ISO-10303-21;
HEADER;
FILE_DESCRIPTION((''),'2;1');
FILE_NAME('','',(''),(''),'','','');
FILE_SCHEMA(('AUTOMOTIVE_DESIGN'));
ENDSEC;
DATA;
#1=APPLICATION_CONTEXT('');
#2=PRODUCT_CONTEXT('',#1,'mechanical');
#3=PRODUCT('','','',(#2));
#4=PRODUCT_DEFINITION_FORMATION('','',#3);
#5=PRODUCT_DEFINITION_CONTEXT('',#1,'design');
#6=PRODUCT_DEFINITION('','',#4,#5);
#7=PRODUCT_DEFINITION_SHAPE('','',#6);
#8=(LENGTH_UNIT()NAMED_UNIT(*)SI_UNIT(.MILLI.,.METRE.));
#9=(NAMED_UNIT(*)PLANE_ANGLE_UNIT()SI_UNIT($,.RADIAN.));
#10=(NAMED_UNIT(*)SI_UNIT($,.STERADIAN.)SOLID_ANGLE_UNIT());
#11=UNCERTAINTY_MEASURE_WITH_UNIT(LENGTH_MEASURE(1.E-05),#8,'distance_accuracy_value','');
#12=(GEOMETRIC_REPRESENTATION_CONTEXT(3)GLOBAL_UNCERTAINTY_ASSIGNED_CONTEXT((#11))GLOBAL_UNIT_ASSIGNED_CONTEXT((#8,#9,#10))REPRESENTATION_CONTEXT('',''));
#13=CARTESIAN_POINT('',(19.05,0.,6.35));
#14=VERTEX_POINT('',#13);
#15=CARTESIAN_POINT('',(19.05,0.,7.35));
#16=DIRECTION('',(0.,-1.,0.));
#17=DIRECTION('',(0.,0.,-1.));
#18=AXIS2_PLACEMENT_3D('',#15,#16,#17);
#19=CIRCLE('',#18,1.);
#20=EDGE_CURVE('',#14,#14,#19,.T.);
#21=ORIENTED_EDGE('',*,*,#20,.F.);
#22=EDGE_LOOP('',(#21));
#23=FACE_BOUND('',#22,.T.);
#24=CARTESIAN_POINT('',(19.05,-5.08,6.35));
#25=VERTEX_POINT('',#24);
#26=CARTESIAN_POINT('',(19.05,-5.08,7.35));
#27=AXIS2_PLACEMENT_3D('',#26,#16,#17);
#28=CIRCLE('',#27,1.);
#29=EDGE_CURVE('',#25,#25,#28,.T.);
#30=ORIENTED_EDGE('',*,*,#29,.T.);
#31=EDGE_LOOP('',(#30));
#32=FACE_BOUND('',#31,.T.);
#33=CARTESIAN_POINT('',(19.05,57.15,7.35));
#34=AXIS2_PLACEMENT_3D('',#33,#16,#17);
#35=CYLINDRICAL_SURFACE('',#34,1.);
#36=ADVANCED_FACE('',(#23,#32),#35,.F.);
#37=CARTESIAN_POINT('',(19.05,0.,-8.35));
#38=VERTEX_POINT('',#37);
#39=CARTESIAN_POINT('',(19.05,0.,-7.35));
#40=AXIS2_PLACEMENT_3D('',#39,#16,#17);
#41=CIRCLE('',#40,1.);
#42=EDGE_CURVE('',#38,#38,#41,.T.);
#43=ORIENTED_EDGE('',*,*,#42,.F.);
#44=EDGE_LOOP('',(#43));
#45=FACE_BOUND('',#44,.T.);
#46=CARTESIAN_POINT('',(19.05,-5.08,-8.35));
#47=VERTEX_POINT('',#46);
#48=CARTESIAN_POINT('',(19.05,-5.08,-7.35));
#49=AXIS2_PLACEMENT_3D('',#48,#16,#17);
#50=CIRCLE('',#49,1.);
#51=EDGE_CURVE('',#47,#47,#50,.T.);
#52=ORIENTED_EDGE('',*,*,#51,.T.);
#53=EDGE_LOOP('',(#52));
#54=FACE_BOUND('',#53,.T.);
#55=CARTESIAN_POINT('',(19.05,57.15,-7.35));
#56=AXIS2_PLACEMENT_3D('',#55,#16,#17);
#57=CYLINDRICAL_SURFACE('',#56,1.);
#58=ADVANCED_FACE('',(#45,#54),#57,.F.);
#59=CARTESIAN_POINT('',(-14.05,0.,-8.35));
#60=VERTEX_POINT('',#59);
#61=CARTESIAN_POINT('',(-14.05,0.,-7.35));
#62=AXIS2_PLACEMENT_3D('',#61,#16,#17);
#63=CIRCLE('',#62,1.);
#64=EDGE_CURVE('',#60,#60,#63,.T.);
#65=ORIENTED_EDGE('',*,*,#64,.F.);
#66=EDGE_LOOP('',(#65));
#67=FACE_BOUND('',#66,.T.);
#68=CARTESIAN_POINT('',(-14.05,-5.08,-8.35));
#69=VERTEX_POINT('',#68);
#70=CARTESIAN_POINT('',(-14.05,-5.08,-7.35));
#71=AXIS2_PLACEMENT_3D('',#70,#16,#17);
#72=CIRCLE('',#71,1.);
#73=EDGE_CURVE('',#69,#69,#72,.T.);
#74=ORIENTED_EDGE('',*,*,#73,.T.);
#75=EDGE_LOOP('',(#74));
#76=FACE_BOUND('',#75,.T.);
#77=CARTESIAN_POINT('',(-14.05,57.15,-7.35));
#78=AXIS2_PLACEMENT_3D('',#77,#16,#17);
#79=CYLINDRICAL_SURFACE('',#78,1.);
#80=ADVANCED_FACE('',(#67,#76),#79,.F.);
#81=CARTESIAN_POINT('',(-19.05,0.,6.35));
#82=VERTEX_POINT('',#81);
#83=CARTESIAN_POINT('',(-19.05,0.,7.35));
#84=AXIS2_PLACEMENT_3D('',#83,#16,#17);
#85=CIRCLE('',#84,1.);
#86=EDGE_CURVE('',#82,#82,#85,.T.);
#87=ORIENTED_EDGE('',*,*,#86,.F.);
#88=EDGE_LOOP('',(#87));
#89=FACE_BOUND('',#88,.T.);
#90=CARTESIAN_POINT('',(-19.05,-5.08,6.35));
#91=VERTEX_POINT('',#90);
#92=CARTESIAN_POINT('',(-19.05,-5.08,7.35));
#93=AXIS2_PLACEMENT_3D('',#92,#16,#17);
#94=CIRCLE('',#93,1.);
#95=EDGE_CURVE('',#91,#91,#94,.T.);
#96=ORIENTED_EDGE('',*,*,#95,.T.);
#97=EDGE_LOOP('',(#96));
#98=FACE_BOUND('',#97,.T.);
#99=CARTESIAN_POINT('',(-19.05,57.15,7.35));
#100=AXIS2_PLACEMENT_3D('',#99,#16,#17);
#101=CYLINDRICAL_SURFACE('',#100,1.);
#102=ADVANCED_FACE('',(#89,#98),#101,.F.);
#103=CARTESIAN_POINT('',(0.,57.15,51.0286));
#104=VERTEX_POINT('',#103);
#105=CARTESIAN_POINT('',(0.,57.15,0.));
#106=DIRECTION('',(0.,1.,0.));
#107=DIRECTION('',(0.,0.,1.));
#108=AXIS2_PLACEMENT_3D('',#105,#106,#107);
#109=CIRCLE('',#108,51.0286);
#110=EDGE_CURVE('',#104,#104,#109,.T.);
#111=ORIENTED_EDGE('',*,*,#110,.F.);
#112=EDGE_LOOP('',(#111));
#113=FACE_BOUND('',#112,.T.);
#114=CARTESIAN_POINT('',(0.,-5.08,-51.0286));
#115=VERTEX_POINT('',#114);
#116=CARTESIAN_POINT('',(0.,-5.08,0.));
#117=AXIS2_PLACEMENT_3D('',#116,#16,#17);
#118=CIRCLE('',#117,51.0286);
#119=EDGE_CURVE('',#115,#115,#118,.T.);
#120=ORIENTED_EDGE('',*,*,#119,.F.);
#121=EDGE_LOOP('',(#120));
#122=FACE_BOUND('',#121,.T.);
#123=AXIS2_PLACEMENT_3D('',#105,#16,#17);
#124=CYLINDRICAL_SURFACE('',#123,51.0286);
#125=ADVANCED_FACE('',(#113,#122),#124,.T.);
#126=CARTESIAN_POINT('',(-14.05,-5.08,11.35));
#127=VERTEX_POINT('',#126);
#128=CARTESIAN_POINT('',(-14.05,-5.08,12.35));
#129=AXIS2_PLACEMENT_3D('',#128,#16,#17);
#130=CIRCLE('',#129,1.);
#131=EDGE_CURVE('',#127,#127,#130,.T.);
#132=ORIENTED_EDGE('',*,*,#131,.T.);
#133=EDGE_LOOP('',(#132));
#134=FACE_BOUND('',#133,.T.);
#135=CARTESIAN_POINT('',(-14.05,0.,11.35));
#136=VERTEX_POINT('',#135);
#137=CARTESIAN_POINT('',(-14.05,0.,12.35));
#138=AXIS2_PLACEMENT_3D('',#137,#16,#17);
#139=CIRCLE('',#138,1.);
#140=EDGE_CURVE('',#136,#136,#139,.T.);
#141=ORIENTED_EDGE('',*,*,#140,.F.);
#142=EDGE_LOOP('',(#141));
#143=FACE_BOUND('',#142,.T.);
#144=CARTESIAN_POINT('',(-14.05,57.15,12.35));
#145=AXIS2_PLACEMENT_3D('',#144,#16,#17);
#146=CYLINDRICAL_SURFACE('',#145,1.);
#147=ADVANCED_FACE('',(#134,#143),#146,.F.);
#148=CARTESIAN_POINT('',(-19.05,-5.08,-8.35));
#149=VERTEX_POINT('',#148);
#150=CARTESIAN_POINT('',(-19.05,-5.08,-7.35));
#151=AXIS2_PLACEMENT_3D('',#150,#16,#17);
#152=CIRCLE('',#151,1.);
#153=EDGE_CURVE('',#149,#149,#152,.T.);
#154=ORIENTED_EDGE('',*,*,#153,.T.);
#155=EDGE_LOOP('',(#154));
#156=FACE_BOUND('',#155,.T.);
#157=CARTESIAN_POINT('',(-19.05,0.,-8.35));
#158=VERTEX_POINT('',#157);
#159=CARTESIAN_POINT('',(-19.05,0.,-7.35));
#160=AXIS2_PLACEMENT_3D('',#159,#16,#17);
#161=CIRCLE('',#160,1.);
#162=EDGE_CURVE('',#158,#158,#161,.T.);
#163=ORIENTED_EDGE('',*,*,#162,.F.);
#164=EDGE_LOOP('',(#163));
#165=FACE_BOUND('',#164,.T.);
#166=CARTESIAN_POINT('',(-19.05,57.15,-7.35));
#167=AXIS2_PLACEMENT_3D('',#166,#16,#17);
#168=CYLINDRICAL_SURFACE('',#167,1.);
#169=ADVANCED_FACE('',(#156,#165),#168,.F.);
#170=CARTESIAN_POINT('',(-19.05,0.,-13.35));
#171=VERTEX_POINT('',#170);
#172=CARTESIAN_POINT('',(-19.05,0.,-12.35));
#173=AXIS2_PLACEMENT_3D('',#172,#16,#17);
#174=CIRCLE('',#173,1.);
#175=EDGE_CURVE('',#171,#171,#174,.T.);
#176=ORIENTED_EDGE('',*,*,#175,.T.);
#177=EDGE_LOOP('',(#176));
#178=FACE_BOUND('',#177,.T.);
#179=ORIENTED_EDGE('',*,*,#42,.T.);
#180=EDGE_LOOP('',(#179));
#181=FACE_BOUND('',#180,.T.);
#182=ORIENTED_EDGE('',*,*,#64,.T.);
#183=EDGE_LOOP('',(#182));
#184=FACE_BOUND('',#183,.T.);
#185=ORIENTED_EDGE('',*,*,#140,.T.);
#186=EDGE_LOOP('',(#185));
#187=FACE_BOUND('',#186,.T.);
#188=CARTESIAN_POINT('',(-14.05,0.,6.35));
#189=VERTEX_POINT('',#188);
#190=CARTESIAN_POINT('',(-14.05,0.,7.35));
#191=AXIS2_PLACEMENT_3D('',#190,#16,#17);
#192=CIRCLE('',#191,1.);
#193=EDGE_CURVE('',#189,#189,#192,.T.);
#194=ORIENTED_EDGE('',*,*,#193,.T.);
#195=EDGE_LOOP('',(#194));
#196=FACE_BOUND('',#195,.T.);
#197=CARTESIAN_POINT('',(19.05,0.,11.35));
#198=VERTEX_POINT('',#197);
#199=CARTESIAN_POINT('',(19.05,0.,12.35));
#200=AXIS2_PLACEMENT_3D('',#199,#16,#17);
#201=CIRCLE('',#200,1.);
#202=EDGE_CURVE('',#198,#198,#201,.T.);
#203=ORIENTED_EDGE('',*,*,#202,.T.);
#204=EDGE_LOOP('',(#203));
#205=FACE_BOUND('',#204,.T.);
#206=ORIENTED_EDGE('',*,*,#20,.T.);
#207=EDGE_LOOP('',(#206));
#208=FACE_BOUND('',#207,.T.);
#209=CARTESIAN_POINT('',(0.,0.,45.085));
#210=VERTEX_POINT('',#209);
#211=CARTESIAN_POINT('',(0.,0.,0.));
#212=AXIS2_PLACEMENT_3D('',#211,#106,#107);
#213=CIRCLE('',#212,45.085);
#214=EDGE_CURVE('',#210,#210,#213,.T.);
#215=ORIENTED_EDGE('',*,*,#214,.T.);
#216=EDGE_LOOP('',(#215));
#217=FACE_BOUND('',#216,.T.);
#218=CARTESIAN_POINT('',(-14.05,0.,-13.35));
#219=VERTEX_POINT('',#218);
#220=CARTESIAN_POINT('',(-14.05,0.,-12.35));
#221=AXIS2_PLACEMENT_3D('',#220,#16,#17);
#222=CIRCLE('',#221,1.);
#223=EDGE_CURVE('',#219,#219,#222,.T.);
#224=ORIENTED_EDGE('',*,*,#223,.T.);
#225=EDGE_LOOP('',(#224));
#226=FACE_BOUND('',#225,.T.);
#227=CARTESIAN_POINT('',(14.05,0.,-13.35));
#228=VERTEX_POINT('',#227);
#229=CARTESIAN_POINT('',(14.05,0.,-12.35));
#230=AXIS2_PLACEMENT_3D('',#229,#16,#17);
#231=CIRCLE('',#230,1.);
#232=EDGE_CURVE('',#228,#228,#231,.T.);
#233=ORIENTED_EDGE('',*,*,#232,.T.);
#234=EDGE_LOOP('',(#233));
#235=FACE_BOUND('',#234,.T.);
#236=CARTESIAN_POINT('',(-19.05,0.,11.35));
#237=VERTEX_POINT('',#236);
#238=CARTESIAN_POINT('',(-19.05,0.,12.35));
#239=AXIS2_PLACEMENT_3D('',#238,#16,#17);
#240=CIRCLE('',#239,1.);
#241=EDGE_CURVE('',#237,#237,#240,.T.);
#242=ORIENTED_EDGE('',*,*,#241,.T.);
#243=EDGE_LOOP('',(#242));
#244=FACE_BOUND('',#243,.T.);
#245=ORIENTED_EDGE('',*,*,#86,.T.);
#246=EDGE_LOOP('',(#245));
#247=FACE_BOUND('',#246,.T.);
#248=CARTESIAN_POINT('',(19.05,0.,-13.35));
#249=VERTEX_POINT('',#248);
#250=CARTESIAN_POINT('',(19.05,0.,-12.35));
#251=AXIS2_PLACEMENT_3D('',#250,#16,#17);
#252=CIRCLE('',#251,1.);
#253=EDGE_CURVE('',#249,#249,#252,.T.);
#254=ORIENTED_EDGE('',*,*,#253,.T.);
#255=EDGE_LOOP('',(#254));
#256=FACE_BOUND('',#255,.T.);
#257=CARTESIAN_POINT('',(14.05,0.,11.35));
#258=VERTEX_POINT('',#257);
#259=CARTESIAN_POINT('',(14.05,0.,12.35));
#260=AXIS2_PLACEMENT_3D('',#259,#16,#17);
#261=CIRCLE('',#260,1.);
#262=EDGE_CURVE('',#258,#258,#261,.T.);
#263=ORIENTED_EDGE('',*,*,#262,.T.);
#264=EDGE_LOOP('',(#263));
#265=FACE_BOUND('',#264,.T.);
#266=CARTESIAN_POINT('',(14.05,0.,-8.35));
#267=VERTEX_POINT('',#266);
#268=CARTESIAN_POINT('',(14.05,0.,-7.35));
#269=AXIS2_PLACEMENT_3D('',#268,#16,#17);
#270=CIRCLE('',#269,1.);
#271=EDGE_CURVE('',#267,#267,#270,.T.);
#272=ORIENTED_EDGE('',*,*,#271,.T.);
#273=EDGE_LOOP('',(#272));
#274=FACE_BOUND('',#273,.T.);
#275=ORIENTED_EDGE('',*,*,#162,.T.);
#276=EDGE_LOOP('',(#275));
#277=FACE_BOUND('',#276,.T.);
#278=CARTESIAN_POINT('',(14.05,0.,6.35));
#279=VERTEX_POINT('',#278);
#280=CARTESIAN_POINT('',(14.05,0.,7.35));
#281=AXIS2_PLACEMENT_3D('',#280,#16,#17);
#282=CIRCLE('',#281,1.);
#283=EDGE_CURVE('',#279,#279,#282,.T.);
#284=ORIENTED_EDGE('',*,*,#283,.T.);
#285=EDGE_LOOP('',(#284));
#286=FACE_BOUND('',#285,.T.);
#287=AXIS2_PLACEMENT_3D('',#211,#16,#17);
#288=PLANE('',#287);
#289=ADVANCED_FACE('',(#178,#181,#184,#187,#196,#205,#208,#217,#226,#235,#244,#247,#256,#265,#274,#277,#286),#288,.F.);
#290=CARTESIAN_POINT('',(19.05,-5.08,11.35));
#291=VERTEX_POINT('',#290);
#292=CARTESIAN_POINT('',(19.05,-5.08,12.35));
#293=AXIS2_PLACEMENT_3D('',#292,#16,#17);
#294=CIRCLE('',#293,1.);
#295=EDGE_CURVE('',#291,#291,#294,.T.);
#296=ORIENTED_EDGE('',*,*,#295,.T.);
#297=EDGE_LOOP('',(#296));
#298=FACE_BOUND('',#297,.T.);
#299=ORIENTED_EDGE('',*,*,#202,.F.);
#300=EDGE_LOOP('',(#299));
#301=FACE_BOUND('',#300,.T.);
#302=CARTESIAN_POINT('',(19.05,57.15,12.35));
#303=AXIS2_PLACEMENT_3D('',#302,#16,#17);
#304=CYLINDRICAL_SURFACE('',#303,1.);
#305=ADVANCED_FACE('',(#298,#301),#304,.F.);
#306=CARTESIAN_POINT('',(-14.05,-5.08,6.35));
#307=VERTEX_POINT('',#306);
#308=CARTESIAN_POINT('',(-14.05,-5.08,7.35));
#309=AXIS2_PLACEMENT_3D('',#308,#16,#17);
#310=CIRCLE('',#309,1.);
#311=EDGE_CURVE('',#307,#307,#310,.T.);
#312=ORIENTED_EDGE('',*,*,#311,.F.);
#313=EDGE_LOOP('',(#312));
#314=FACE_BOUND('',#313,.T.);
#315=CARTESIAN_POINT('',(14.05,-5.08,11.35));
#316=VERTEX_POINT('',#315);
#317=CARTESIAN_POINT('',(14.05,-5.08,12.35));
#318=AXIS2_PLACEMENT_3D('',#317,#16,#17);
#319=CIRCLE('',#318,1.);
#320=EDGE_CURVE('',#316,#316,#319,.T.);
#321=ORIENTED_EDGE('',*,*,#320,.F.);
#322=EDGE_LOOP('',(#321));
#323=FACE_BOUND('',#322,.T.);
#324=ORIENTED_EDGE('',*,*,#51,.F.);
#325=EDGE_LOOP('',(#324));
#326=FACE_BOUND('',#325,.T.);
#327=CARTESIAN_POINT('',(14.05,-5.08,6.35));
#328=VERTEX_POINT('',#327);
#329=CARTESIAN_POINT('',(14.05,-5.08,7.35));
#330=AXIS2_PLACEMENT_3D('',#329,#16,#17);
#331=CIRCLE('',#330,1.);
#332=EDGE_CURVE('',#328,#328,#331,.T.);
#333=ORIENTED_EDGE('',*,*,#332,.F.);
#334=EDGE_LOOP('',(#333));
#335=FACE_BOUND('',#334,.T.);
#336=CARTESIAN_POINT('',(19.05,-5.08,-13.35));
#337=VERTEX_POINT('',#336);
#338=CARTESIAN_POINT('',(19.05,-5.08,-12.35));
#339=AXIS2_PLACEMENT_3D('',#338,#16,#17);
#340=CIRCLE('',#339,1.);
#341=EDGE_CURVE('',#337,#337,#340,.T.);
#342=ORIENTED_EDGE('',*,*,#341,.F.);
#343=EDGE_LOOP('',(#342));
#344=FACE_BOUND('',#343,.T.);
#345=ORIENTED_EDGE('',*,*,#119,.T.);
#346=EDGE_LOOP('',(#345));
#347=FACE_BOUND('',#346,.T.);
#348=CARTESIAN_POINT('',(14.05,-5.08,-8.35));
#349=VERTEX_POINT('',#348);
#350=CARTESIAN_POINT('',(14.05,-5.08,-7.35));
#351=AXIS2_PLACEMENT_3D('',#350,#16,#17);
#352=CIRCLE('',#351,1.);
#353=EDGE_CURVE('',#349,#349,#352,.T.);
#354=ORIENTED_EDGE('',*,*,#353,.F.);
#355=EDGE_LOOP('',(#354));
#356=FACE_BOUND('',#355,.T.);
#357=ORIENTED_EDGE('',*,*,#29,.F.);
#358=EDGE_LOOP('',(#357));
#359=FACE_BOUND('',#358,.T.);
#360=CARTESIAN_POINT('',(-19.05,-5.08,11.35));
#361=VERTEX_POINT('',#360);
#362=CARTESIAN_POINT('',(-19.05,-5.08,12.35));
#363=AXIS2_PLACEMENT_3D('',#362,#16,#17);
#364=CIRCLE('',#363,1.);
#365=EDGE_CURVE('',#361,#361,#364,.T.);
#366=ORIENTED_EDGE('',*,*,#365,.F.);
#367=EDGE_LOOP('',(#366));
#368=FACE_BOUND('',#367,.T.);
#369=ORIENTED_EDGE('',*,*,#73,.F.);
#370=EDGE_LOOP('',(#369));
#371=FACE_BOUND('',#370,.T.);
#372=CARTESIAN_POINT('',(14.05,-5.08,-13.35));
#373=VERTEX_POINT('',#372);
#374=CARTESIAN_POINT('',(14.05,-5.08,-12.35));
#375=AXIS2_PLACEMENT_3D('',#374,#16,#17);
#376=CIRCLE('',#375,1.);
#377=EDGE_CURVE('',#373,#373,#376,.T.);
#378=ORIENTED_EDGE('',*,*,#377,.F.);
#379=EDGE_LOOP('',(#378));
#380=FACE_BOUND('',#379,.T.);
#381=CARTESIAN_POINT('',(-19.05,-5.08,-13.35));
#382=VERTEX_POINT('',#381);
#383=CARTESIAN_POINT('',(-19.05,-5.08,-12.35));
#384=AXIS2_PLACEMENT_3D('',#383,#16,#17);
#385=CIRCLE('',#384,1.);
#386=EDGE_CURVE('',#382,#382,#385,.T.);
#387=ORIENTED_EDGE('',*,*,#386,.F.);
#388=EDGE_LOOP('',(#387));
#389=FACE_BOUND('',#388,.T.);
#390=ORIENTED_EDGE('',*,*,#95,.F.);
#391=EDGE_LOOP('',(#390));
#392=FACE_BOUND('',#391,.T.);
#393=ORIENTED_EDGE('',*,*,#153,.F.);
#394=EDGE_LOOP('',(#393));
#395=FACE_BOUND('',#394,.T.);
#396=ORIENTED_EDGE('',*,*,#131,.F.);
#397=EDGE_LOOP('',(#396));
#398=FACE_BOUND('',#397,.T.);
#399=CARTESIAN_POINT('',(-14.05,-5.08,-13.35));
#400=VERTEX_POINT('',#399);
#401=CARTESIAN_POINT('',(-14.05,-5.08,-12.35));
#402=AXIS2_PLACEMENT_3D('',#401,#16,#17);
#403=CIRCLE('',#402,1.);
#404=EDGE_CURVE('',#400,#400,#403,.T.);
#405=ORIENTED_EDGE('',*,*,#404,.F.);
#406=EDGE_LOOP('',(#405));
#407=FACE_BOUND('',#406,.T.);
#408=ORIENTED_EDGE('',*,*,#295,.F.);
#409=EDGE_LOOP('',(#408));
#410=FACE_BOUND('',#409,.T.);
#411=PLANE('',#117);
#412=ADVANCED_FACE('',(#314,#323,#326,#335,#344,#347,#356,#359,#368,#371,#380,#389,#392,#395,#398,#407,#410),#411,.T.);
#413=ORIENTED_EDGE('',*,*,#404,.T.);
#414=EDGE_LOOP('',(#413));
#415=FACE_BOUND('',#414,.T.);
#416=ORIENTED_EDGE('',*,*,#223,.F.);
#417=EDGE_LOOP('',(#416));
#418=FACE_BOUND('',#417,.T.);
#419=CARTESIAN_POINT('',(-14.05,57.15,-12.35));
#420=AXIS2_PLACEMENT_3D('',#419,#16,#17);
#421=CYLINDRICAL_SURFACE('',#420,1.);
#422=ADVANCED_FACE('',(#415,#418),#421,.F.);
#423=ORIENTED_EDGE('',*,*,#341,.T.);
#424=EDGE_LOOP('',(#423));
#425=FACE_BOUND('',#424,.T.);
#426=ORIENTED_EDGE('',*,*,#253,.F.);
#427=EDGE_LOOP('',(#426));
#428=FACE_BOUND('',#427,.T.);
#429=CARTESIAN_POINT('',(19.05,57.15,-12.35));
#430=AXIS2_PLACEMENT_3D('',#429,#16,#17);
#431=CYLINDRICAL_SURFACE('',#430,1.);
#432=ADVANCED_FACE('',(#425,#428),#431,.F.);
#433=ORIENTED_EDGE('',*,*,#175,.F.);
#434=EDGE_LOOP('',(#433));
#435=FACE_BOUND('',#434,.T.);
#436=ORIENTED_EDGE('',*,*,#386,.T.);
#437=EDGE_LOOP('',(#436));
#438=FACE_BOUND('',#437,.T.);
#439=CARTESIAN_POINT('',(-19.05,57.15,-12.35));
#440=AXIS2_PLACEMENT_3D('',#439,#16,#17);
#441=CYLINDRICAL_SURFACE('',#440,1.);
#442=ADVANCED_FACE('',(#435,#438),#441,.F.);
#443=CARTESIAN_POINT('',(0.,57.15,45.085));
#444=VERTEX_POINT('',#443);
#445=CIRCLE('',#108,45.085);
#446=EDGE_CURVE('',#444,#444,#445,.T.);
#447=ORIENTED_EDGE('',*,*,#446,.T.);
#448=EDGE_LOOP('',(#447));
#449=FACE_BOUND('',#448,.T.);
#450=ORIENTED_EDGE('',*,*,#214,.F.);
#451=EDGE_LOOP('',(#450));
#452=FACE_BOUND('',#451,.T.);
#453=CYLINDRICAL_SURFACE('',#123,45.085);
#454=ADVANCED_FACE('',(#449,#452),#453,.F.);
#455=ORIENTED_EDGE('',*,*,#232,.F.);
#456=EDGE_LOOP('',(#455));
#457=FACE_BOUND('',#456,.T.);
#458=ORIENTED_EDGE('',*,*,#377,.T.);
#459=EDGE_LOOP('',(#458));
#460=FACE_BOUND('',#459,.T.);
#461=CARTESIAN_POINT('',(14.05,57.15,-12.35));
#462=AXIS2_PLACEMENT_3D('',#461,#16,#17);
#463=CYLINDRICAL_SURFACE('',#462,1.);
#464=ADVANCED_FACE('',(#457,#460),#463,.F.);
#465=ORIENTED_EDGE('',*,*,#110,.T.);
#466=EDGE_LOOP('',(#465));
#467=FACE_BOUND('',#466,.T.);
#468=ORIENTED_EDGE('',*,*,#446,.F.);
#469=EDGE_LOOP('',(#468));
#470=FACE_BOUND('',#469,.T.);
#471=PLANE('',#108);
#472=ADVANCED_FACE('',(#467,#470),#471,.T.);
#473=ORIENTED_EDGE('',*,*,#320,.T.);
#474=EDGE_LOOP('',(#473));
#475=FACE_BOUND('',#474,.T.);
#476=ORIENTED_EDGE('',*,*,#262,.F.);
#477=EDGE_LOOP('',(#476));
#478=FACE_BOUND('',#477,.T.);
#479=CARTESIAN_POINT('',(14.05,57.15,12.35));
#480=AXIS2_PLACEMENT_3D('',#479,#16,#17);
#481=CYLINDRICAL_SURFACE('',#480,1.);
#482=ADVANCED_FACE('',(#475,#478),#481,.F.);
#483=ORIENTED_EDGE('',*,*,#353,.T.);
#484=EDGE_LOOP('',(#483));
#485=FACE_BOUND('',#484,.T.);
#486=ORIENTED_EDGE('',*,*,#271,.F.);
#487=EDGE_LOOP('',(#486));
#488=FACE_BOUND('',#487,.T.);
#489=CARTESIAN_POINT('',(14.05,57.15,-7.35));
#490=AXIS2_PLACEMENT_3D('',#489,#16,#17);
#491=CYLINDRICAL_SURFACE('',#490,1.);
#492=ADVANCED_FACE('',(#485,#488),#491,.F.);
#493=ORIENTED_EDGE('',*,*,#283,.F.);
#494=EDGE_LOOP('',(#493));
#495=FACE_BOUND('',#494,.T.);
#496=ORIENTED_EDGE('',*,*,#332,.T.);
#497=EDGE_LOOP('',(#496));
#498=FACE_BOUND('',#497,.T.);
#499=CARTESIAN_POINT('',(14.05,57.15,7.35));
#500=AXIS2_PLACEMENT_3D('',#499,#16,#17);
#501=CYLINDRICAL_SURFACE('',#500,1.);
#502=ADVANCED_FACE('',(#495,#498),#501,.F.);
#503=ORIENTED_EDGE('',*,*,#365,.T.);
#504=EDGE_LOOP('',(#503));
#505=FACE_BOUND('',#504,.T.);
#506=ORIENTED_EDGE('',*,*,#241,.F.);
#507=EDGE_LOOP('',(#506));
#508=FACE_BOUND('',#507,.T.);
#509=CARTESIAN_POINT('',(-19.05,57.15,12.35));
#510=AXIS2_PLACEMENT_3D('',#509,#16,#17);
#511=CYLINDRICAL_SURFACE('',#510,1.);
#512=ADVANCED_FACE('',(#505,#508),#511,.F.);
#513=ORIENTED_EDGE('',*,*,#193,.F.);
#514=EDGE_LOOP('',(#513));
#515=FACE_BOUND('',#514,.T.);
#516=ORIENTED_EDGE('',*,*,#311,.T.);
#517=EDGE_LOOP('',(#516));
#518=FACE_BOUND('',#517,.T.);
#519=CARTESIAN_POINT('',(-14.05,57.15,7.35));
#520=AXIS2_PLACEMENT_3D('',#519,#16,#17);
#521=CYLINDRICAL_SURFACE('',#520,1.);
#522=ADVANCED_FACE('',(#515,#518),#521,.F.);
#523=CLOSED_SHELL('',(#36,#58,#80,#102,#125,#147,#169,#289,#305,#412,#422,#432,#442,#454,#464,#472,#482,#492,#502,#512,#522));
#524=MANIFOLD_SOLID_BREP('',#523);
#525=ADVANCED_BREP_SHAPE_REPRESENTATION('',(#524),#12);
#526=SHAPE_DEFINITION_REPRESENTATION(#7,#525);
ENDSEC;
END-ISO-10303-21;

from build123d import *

# Parameters (mm, degrees)
SKETCH1_R               = 51.0286
SKETCH1_R_2             = 45.085
BOSS_EXTRUDE1_DEPTH     = 57.15
SKETCH2_R               = 51.0286
BOSS_EXTRUDE2_DEPTH     = 5.08
SKETCH3_R               = 1
CUT_EXTRUDE1_DEPTH      = 1
CUT_EXTRUDE1_DEPTH_BACK = 63.23


with BuildPart() as part:
    # Sketch1 → Boss-Extrude1 (new body)
    with BuildSketch(Plane(origin=(0, 0, 0), x_dir=(1, 0, 0), z_dir=(0, 1, 0))):
        Circle(SKETCH1_R)
        Circle(SKETCH1_R_2, mode=Mode.SUBTRACT)
    extrude(amount=BOSS_EXTRUDE1_DEPTH)

    # Sketch2 → Boss-Extrude2 (add)
    with BuildSketch(Plane.XZ):
        Circle(SKETCH2_R)
    extrude(amount=BOSS_EXTRUDE2_DEPTH)

    # Sketch3 → Cut-Extrude1 (cut, two sides)
    with BuildSketch(Plane(origin=(0, -5.08, 0), x_dir=(-1, 0, 0), z_dir=(0, -1, 0))) as cut_extrude1_sk:
        with Locations((14.049999967, -7.349999968)):
            Circle(SKETCH3_R)
        with Locations((14.049999967, -12.349999968)):
            Circle(SKETCH3_R)
        with Locations((19.049999967, -12.349999968)):
            Circle(SKETCH3_R)
        with Locations((19.049999967, -7.349999968)):
            Circle(SKETCH3_R)
        with Locations((19.049999967, 7.350000032)):
            Circle(SKETCH3_R)
        with Locations((19.049999967, 12.350000032)):
            Circle(SKETCH3_R)
        with Locations((14.049999967, 12.350000032)):
            Circle(SKETCH3_R)
        with Locations((-14.050000033, 12.350000032)):
            Circle(SKETCH3_R)
        with Locations((-14.050000033, 7.350000032)):
            Circle(SKETCH3_R)
        with Locations((-19.050000033, 12.350000032)):
            Circle(SKETCH3_R)
        with Locations((-19.050000033, 7.350000032)):
            Circle(SKETCH3_R)
        with Locations((-19.050000033, -7.349999968)):
            Circle(SKETCH3_R)
        with Locations((-14.050000033, -7.349999968)):
            Circle(SKETCH3_R)
        with Locations((-14.050000033, -12.349999968)):
            Circle(SKETCH3_R)
        with Locations((-19.050000033, -12.349999968)):
            Circle(SKETCH3_R)
        with Locations((14.049999967, 7.350000032)):
            Circle(SKETCH3_R)
    extrude(amount=CUT_EXTRUDE1_DEPTH, mode=Mode.SUBTRACT)
    extrude(cut_extrude1_sk.sketch, amount=-CUT_EXTRUDE1_DEPTH_BACK, mode=Mode.SUBTRACT)


solid = part.part
